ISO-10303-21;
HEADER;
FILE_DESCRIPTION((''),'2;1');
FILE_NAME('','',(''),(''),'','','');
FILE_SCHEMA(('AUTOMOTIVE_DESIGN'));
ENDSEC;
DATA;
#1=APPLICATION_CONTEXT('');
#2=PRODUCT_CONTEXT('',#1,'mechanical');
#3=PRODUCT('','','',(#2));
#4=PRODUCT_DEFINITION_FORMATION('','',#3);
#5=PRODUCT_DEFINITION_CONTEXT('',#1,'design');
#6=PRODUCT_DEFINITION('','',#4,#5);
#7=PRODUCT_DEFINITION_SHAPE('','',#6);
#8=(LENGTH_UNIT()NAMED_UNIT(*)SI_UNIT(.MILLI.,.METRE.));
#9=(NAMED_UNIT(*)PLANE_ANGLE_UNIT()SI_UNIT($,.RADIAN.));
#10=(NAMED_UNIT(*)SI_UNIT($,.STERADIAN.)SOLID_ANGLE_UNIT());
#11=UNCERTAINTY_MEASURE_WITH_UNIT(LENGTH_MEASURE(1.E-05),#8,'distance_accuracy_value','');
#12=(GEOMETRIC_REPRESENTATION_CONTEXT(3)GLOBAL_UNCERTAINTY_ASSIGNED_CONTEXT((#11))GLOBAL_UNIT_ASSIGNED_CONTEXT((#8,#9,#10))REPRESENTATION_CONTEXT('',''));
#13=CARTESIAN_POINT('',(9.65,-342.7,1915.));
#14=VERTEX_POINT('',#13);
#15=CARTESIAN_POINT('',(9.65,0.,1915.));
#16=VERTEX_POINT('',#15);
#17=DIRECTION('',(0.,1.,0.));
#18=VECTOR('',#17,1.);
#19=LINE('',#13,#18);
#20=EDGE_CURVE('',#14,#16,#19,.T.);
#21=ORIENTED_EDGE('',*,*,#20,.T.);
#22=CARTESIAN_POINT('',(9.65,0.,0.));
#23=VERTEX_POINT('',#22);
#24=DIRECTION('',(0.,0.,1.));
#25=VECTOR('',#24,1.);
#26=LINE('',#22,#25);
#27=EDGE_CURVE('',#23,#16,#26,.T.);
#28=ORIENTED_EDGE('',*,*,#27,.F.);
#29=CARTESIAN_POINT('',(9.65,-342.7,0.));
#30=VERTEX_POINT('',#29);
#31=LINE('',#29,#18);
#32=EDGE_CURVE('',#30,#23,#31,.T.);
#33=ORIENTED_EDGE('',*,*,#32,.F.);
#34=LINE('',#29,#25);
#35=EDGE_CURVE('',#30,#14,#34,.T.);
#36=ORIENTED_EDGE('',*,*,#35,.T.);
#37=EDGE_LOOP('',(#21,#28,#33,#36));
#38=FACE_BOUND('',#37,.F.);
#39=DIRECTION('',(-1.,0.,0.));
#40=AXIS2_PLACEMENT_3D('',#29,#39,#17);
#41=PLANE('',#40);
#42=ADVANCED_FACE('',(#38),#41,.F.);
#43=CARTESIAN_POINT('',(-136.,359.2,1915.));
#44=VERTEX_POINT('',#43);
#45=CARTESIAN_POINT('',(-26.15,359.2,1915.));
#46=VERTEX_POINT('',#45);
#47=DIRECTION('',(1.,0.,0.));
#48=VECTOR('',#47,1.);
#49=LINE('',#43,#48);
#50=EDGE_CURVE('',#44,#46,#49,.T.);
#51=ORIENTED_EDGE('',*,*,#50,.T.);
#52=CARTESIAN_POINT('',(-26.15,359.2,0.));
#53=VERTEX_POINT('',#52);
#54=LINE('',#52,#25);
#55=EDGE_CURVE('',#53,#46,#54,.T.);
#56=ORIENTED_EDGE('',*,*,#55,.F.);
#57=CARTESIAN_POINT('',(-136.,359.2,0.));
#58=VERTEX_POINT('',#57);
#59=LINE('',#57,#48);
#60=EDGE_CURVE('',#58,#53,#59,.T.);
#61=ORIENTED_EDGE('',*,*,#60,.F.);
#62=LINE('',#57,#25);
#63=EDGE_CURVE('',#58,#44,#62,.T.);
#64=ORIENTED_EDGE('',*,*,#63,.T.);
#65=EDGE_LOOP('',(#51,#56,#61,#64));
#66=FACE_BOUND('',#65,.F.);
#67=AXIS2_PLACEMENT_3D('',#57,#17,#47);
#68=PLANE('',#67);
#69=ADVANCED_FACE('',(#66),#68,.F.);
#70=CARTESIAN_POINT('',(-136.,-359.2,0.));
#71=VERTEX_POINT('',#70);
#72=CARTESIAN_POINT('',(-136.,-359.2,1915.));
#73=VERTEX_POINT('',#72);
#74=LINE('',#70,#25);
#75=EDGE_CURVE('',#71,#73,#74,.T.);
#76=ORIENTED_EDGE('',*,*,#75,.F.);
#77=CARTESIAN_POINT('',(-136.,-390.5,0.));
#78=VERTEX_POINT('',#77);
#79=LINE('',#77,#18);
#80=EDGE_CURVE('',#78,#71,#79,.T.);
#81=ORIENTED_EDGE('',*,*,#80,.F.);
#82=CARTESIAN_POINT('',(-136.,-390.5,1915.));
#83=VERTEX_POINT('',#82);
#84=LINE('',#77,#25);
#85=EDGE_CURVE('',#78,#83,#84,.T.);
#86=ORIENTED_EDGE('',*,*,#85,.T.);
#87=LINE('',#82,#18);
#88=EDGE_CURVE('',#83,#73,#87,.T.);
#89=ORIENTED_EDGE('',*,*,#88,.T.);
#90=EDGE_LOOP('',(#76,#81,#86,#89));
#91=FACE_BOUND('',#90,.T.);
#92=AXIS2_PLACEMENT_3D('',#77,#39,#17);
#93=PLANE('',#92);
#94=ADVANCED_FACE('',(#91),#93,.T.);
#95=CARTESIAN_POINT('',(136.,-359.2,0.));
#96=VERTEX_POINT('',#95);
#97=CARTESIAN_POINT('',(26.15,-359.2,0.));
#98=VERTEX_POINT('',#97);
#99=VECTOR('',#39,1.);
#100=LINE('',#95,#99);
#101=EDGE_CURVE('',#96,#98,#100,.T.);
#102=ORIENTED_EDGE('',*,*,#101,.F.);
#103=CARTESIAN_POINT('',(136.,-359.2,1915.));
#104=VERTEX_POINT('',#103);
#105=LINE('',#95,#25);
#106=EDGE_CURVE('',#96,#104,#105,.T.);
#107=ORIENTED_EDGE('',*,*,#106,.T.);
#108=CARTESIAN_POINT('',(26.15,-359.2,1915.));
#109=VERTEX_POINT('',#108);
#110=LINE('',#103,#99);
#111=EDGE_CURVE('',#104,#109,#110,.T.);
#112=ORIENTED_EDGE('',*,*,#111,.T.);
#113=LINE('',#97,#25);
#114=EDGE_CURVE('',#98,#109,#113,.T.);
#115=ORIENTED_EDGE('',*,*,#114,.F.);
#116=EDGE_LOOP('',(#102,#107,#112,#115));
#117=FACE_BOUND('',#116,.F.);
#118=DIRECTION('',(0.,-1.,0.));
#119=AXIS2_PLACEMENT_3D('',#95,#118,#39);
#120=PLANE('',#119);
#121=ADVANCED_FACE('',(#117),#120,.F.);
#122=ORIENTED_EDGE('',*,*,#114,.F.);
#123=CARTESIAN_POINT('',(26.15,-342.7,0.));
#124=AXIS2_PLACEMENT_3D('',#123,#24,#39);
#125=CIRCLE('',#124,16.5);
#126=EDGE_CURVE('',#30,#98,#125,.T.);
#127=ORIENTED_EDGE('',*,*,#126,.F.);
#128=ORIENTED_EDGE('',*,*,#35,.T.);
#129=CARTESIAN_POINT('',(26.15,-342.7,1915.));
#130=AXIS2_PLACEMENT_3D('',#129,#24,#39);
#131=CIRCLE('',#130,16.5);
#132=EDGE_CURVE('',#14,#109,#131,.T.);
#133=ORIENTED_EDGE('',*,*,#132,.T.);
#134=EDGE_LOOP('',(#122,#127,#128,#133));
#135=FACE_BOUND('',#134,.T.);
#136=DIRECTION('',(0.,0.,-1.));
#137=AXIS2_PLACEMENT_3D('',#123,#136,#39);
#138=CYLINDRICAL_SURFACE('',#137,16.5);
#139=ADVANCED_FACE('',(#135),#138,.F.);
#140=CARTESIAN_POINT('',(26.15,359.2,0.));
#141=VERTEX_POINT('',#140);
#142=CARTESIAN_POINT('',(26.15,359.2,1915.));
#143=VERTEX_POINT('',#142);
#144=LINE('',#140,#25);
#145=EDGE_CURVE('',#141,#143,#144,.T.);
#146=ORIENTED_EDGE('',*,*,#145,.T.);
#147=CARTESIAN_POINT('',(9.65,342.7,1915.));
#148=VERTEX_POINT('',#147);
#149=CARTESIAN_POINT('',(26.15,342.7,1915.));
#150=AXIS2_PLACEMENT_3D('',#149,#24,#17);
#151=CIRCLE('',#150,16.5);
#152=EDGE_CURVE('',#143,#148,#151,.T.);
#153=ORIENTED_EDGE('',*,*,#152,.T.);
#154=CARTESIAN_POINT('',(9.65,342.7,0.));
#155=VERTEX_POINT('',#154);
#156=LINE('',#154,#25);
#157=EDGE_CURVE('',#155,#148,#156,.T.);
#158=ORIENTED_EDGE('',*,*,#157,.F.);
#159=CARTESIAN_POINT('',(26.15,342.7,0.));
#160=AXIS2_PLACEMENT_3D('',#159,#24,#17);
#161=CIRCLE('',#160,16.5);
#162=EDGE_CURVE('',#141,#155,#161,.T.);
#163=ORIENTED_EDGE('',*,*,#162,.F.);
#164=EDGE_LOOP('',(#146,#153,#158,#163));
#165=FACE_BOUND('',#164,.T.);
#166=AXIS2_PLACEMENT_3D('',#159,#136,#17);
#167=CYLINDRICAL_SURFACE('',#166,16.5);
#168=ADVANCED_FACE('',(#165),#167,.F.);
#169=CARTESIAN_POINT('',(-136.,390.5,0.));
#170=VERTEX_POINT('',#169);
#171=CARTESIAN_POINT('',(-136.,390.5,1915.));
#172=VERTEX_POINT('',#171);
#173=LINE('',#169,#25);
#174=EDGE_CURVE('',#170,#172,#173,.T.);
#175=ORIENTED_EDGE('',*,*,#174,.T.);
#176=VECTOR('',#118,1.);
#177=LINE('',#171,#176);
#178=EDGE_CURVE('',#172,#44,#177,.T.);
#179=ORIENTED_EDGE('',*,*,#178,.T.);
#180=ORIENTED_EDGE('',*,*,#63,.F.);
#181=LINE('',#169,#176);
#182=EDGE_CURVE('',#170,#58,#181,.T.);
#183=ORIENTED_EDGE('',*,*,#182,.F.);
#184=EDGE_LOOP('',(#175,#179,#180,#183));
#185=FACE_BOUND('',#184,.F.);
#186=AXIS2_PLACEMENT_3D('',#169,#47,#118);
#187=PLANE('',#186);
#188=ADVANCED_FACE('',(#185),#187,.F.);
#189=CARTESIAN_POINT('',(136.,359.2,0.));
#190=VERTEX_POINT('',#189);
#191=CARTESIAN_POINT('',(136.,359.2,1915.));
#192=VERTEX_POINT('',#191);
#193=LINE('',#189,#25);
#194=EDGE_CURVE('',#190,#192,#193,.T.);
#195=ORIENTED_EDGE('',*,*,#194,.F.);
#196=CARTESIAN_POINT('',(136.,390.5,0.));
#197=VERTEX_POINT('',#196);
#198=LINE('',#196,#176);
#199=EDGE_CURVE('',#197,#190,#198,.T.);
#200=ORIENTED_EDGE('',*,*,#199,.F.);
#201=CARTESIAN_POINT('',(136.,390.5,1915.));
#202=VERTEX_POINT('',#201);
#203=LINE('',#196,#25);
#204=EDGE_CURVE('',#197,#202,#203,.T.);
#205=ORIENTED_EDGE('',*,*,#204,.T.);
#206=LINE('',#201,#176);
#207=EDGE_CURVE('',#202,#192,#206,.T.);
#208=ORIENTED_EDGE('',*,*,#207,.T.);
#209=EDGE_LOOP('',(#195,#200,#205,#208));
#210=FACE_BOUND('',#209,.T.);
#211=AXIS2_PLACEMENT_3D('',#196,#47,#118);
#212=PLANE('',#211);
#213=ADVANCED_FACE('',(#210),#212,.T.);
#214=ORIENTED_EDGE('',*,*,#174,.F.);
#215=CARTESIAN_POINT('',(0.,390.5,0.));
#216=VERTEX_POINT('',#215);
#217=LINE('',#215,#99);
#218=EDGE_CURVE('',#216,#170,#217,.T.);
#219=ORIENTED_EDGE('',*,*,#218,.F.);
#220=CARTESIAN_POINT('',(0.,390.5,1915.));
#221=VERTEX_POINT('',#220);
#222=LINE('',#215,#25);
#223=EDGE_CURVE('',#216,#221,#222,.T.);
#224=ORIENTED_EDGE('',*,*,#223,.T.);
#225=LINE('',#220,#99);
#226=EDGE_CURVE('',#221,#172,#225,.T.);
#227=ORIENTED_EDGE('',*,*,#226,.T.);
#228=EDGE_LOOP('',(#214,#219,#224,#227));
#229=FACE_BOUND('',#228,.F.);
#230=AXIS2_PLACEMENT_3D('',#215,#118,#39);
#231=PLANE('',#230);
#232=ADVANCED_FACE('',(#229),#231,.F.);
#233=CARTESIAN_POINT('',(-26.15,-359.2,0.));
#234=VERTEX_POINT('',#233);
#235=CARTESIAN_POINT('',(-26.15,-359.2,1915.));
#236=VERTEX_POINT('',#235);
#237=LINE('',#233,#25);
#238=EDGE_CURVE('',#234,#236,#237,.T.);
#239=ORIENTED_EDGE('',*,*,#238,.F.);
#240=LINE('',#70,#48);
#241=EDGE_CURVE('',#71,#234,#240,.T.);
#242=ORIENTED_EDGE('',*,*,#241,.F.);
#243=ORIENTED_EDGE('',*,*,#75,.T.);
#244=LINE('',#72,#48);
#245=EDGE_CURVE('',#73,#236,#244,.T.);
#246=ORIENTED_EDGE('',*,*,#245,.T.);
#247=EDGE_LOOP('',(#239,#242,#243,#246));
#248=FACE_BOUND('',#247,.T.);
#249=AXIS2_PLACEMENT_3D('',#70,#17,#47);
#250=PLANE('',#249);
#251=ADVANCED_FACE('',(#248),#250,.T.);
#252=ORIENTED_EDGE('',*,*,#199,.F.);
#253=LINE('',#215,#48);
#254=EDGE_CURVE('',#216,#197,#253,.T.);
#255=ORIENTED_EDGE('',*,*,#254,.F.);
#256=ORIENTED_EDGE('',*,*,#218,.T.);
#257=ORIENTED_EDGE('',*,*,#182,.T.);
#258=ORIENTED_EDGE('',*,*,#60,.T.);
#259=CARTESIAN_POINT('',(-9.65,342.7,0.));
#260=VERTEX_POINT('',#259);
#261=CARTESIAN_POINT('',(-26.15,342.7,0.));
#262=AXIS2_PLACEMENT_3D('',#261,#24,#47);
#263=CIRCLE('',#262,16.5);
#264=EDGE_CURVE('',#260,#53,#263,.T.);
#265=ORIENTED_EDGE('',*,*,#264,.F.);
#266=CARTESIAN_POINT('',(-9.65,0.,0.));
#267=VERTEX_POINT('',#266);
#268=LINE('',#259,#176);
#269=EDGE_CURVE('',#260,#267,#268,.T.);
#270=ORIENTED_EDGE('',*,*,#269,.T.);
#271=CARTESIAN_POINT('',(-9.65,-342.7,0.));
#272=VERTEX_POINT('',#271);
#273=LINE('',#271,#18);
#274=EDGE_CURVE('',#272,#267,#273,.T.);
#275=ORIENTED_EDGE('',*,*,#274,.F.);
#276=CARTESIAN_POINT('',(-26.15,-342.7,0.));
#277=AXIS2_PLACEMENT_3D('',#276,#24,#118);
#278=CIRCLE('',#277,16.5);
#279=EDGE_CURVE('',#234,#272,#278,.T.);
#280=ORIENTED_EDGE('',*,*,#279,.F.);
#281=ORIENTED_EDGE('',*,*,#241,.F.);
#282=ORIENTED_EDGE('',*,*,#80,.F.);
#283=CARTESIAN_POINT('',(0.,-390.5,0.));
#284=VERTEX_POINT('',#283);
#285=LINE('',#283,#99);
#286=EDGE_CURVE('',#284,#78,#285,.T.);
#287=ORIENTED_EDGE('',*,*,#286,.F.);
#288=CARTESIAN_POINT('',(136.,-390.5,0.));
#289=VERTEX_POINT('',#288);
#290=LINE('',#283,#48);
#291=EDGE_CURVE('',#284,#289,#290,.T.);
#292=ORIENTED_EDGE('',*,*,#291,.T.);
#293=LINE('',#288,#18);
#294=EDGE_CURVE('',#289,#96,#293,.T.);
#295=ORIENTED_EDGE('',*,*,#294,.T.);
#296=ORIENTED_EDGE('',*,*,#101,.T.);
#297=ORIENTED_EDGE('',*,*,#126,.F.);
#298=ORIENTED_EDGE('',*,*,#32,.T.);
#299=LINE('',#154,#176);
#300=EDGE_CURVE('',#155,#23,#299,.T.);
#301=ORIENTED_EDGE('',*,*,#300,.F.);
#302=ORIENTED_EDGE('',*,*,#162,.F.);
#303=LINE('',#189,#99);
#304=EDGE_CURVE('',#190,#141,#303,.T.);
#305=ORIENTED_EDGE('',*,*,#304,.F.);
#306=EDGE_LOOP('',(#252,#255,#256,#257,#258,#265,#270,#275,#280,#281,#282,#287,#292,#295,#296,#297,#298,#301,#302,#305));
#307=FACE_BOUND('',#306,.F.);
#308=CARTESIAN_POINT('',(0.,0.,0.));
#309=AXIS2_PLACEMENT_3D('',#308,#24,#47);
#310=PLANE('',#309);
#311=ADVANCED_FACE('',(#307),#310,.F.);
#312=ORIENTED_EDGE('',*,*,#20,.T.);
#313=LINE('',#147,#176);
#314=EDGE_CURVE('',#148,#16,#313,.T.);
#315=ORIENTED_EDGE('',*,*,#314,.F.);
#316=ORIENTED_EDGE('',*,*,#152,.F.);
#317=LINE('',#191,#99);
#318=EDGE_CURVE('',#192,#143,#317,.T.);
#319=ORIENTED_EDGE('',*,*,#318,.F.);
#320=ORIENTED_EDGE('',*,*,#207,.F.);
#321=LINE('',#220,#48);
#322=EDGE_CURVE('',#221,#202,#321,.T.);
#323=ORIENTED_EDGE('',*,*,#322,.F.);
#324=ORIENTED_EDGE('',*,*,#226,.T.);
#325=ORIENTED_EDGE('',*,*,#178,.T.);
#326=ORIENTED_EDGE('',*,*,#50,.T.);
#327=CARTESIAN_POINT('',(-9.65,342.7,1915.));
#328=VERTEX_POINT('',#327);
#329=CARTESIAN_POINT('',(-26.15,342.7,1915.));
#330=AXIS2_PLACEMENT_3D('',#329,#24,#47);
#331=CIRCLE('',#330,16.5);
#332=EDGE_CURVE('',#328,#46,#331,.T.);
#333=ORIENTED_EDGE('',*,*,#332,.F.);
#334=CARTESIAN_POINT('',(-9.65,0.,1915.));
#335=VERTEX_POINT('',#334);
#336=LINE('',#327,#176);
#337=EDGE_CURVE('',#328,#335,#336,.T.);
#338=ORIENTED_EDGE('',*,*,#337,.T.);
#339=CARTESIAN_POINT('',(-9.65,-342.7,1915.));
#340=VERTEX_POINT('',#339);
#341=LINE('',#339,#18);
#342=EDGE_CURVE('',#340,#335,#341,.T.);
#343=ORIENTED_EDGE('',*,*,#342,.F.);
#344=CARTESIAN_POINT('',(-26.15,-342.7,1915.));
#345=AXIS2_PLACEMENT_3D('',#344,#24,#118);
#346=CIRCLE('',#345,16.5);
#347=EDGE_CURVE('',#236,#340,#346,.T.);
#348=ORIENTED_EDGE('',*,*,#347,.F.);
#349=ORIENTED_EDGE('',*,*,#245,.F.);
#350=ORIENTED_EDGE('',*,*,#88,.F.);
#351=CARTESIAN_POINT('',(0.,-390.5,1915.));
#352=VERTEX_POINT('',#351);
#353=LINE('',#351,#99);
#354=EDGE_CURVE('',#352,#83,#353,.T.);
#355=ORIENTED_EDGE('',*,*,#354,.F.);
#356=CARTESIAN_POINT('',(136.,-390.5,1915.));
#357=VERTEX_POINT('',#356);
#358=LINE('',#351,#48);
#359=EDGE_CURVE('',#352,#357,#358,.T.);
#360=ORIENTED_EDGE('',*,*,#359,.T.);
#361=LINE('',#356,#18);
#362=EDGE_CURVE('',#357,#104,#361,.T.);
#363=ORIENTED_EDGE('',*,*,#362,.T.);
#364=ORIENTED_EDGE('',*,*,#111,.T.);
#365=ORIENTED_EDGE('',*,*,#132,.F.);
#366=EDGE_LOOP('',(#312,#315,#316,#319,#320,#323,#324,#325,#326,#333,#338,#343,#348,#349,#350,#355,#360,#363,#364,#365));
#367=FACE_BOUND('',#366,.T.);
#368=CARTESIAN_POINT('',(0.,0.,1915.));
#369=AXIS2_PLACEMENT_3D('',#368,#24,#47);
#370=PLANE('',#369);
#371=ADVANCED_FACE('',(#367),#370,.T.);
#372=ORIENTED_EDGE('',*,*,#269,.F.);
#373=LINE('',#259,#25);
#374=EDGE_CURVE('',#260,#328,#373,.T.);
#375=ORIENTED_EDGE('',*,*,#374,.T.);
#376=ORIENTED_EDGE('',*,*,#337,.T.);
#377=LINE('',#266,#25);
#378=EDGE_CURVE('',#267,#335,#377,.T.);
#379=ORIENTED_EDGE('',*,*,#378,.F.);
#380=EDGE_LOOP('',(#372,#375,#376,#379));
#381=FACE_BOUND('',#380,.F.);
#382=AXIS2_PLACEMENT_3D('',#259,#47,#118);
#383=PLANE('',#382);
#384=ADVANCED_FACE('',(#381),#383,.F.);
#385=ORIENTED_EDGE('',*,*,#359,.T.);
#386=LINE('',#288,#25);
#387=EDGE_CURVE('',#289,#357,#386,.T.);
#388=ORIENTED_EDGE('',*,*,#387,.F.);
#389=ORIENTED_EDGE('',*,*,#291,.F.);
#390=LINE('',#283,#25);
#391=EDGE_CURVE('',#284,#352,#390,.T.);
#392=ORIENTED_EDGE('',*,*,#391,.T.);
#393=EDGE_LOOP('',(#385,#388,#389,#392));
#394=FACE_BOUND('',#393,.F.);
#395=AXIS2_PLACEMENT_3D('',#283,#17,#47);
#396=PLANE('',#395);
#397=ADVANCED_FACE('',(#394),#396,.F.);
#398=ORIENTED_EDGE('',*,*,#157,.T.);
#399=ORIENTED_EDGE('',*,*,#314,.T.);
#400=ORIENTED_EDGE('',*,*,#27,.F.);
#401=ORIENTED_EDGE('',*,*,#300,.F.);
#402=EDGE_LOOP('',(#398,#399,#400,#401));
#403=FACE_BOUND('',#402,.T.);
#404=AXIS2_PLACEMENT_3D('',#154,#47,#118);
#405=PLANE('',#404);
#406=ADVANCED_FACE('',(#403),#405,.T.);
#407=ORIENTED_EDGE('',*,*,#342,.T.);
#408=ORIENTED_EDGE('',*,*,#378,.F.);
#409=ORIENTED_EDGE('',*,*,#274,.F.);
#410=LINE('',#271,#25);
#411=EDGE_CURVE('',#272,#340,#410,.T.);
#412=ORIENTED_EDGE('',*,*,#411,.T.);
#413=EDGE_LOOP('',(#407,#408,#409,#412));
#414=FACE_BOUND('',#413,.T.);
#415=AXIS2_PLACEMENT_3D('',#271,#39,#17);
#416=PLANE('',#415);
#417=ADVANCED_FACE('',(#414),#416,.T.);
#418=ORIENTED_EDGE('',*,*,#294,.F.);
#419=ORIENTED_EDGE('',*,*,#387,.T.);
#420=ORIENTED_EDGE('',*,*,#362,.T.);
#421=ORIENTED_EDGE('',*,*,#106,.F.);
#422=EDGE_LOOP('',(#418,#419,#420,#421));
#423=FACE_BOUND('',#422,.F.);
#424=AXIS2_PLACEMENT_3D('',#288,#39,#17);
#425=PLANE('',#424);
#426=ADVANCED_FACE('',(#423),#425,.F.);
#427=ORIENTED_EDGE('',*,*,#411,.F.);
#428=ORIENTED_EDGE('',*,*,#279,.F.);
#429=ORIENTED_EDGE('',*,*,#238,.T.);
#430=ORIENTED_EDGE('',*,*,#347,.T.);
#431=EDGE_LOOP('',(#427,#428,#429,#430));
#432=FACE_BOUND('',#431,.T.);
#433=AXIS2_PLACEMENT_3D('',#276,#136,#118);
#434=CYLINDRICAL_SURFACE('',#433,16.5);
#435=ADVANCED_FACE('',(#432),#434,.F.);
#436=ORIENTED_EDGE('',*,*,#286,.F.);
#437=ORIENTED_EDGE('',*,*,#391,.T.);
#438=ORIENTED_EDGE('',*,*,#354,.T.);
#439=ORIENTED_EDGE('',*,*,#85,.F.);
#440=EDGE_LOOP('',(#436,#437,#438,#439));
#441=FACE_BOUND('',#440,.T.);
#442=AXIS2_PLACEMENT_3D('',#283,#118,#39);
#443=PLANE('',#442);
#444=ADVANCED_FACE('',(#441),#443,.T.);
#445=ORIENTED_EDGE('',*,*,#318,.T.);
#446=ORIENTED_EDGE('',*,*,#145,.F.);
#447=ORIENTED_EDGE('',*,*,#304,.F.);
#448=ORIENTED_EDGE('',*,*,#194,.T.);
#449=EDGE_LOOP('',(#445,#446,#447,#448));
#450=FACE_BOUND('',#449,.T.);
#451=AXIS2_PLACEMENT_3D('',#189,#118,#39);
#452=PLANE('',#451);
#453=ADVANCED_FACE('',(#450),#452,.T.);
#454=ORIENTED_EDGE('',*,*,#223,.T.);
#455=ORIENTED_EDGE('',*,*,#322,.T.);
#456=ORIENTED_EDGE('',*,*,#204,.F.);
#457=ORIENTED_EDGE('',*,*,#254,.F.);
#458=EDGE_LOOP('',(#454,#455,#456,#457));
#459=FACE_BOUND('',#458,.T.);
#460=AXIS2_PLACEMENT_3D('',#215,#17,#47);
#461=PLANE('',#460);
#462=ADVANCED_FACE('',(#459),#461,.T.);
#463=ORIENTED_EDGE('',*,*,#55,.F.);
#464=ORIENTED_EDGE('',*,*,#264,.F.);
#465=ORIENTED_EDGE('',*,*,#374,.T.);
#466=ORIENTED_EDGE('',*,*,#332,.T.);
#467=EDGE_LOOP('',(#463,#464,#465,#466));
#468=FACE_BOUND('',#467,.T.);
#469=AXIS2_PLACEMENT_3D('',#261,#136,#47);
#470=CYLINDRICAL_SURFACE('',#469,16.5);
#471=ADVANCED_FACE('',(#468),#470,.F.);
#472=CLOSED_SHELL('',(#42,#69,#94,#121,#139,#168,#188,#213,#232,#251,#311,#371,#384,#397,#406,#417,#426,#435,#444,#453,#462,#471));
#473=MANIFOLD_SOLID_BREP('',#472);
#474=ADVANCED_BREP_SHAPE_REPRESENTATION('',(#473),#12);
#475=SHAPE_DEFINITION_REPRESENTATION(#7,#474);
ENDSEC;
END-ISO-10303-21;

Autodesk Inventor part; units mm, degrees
ref_plane "YZ Plane" through (0, 0, 0) normal (1, 0, 0) x (0, 1, 0)
ref_plane "Start plane" through (0, 0, 0) normal (0, 0, 1) x (1, 0, 0)
ref_plane "End plane" through (0, 0, 1915) normal (0, 0, 1) x (1, 0, 0)
sketch "Sketch" plane through (0, 0, 0) normal (0, 0, 1) x (1, 0, 0)
  line L0 (-136, -390.5) -> (-136, -359.2)
  line L1 (-136, -359.2) -> (-26.15, -359.2)
  line L2 (-9.65, -342.7) -> (-9.65, 0)
  line L3 (-9.65, 0) -> (0, 0) construction
  line L4 (0, 0) -> (0, -390.5) construction
  line L5 (0, -390.5) -> (-136, -390.5)
  line L6 (-60, 0) -> (80, 0) construction
  line L7 (0, -60) -> (0, 80) construction
  line L8 (136, -390.5) -> (136, -359.2)
  line L9 (136, -359.2) -> (26.15, -359.2)
  line L10 (9.65, -342.7) -> (9.65, 0)
  line L11 (9.65, 0) -> (0, 0) construction
  line L12 (0, -390.5) -> (136, -390.5)
  line L13 (-136, 390.5) -> (-136, 359.2)
  line L14 (-136, 359.2) -> (-26.15, 359.2)
  line L15 (-9.65, 342.7) -> (-9.65, 0)
  line L16 (0, 390.5) -> (-136, 390.5)
  line L17 (136, 390.5) -> (136, 359.2)
  line L18 (136, 359.2) -> (26.15, 359.2)
  line L19 (0, 390.5) -> (136, 390.5)
  line L20 (9.65, 342.7) -> (9.65, 0)
  arc A0 (-9.65, 342.7) -> (-26.15, 359.2) centre (-26.15, 342.7) ccw
  arc A1 (26.15, 359.2) -> (9.65, 342.7) centre (26.15, 342.7) ccw
  arc A2 (9.65, -342.7) -> (26.15, -359.2) centre (26.15, -342.7) ccw
  arc A3 (-26.15, -359.2) -> (-9.65, -342.7) centre (-26.15, -342.7) ccw
  line L21 (0, 108) -> (0, -88) construction
  line L22 (-88, 0) -> (108, 0) construction
  point P0 (-9.65, -359.2)
  point P1 (9.65, -359.2)
  point P2 (-9.65, 359.2)
  point P3 (9.65, 359.2)
  dimension "d1" = 390.5
  dimension "d2" = 31.3
  dimension "d3" = 136
  dimension "d4" = 9.65
  dimension "d10" = 16.5
extrude "Body" add sketch "Sketch" along normal up to surface (1915 mm away) from surface at 0
sketch "Sketch4" plane through (0, 0, 0) normal (0, 0, 1) x (1, 0, 0)
  line L0 (0, 0) -> (10, 0)
ref_plane "Work Plane3" through (0, 0, 0) normal (0, -1, 0) x (1, 0, 0)
sketch "Sketch5" plane through (0, 0, 0) normal (0, -1, 0) x (1, 0, 0)
  line L0 (-2, 0) -> (12, 0) projected
  line L1 (-2, 1915) -> (12, 1915) projected
  dimension "d14" = 1915
equation "\"d1\" = 0.5 * G_H"
equation "\"d2\" = G_T1"
equation "\"d3\" = 0.5 * G_W"
equation "\"d4\" = 0.5 * G_T"
equation "\"d10\" = G_IR"
equation "\"d5\" = G_L"
equation "\"G_W\" = 272"
equation "\"G_H\" = 781"
equation "\"G_T\" = 19.3"
equation "\"G_T1\" = 31.3"
equation "\"G_IR\" = 16.5"
equation "\"G_L\" = d14"
equation "\"G_OFFSET_START\" = 0"
equation "\"G_OFFSET_END\" = 0"
equation "\"d12\" = G_OFFSET_END + B_L"
equation "\"B_L\" = 1915"
properties part number "AS 3679-1990 - 760 UB - 244 - 1915" material "Steel, Mild"
